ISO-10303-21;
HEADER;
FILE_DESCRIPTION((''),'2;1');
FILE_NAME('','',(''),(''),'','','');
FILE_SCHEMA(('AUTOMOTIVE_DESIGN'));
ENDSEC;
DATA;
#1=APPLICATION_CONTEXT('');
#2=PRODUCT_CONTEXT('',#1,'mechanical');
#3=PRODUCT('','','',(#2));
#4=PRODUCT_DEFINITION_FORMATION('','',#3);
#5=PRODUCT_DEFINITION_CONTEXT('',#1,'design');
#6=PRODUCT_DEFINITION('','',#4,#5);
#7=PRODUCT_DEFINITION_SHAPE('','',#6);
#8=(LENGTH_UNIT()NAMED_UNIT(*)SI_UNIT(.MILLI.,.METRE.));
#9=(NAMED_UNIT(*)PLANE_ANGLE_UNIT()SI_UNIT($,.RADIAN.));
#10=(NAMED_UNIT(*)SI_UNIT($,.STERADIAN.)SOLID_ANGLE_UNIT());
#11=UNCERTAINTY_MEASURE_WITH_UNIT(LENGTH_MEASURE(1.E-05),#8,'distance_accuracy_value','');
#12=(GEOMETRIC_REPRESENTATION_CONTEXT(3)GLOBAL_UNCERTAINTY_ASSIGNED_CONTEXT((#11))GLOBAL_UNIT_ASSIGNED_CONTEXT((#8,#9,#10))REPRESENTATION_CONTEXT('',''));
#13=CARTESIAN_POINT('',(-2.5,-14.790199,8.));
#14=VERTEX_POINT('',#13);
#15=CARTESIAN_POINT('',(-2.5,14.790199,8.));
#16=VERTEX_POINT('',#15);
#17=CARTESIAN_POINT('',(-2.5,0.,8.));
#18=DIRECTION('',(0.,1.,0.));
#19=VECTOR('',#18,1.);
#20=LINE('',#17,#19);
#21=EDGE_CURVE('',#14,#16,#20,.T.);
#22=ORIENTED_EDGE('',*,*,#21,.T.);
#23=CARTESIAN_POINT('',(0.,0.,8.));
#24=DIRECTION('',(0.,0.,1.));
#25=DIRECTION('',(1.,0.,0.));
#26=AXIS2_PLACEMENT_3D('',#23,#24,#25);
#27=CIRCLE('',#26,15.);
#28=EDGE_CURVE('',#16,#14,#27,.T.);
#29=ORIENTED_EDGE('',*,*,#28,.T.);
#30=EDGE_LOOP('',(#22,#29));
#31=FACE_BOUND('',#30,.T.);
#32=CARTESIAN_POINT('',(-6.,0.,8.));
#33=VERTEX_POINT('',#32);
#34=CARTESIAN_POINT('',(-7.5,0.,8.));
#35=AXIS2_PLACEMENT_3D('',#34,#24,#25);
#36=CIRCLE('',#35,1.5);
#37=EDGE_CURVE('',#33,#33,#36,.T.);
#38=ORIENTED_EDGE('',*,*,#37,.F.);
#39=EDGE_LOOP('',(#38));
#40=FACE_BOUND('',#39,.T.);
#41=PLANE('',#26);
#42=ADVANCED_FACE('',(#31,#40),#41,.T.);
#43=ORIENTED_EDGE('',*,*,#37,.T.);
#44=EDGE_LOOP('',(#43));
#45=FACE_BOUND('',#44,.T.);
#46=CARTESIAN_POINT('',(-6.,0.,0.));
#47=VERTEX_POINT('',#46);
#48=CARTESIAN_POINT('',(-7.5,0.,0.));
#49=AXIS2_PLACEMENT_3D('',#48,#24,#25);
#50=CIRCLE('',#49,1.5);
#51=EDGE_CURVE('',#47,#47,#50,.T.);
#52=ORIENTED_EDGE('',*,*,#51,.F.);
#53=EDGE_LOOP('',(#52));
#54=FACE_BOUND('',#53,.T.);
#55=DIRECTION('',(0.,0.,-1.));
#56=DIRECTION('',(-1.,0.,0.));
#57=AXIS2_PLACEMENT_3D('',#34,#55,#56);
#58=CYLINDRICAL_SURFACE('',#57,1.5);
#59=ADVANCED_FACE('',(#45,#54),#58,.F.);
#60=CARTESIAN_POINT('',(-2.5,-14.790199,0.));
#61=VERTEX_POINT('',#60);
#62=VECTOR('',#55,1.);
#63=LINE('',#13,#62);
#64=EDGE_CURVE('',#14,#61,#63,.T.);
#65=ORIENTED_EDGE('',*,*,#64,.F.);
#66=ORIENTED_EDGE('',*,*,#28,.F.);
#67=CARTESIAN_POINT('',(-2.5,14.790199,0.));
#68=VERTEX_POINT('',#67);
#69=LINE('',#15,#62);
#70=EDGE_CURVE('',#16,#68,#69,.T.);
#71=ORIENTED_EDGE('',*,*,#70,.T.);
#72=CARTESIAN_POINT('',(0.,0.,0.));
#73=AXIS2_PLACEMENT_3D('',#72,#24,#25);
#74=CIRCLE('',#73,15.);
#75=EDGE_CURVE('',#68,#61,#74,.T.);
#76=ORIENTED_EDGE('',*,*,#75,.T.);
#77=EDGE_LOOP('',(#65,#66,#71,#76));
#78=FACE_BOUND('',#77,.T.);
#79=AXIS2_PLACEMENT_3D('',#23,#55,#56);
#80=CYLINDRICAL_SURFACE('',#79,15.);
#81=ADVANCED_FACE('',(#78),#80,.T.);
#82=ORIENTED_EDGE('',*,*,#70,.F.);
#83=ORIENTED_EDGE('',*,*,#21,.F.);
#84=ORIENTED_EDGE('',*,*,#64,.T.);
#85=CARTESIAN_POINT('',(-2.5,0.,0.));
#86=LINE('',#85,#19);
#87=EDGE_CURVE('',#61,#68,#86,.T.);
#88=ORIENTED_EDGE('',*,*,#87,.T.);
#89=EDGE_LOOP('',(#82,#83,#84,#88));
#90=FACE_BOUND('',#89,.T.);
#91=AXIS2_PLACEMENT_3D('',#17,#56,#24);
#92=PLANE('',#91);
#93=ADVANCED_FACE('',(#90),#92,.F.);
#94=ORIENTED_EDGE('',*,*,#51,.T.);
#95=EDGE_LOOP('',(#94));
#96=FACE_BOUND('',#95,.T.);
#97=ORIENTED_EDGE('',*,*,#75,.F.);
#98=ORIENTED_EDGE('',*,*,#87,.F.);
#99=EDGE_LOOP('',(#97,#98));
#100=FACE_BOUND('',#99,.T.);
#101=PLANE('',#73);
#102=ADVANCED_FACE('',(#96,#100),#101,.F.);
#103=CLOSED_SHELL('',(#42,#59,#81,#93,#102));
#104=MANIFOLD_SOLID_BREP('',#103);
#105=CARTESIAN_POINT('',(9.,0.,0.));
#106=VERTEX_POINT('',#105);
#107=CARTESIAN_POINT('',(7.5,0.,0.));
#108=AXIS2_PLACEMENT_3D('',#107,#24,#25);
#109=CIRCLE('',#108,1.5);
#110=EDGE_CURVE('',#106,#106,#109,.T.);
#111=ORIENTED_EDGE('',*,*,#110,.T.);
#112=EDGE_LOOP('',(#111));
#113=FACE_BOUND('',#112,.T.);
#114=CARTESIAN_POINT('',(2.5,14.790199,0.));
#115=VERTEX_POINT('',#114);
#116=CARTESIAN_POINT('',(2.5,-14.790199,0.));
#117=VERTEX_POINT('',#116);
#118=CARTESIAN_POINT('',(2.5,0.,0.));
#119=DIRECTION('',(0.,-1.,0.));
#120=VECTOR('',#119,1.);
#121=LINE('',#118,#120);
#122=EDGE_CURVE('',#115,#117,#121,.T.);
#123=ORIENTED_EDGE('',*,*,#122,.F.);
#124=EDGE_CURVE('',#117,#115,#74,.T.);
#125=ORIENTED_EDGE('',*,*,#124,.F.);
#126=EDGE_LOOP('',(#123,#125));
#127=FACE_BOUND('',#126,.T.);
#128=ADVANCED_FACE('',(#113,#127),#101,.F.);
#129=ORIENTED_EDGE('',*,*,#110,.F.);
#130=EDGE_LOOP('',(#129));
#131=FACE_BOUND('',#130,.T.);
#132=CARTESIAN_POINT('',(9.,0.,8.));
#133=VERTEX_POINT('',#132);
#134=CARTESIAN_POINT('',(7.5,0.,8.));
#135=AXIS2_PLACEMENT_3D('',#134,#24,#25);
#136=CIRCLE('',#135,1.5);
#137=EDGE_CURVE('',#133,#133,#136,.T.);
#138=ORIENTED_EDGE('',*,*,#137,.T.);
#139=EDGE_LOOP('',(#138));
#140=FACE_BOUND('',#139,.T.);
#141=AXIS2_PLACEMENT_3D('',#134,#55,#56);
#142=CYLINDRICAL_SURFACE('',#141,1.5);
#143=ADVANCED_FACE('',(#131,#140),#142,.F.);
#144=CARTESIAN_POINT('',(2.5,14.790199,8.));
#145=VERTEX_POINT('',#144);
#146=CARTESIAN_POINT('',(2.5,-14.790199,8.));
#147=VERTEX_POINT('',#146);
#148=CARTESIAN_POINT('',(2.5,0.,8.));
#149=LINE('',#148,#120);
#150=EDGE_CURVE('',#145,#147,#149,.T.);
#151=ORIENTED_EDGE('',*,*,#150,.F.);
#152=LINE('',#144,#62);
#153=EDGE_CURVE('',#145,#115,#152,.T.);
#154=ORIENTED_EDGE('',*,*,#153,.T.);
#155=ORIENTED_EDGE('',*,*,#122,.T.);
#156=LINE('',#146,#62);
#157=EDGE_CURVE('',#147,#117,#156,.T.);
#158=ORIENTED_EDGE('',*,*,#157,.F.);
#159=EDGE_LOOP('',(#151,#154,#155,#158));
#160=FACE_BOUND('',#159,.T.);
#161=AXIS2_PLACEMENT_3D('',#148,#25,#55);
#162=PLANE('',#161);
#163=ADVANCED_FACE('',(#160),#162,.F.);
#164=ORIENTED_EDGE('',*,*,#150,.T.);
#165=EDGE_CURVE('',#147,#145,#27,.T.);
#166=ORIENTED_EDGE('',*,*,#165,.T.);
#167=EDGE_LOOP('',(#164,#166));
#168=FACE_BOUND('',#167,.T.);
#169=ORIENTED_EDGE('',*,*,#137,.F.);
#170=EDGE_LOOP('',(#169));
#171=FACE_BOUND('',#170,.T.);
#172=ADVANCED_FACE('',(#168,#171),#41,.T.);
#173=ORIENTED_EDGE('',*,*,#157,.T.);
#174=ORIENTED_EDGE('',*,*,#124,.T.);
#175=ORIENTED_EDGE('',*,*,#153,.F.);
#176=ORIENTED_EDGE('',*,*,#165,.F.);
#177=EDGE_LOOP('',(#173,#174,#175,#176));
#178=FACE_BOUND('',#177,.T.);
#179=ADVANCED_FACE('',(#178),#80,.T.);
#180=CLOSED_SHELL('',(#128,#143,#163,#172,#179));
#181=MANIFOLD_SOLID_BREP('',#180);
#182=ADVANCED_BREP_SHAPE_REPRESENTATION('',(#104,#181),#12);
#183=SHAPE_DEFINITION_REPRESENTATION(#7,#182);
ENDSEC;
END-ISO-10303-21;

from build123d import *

# Parameters (mm, degrees)
SKETCH1_R             = 1.5
BOSS_EXTRUDE1_DEPTH   = 8
BOSS_EXTRUDE1_2_DEPTH = 8


with BuildPart() as part:
    # Sketch1 → Boss-Extrude1 (new body)
    with BuildSketch(Plane.XY):
        with BuildLine():
            Line((2.5, 0), (2.5, -14.790199458))
            ThreePointArc((2.5, -14.790199458), (15, 0), (2.5, 14.790199458))
            Line((2.5, 14.790199458), (2.5, 0))
        make_face()
        with Locations((7.5, 0)):
            Circle(SKETCH1_R, mode=Mode.SUBTRACT)
    extrude(amount=BOSS_EXTRUDE1_DEPTH)


with BuildPart() as body_2:
    # Sketch1 → Boss-Extrude1 2 (new body)
    with BuildSketch(Plane.XY):
        with BuildLine():
            Line((-2.5, 0), (-2.5, -14.790199458))
            ThreePointArc((-2.5, -14.790199458), (-15, 0), (-2.5, 14.790199458))
            Line((-2.5, 14.790199458), (-2.5, 0))
        make_face()
        with Locations((-7.5, 0)):
            Circle(SKETCH1_R, mode=Mode.SUBTRACT)
    extrude(amount=BOSS_EXTRUDE1_2_DEPTH)


solid = Compound([part.part, body_2.part])
